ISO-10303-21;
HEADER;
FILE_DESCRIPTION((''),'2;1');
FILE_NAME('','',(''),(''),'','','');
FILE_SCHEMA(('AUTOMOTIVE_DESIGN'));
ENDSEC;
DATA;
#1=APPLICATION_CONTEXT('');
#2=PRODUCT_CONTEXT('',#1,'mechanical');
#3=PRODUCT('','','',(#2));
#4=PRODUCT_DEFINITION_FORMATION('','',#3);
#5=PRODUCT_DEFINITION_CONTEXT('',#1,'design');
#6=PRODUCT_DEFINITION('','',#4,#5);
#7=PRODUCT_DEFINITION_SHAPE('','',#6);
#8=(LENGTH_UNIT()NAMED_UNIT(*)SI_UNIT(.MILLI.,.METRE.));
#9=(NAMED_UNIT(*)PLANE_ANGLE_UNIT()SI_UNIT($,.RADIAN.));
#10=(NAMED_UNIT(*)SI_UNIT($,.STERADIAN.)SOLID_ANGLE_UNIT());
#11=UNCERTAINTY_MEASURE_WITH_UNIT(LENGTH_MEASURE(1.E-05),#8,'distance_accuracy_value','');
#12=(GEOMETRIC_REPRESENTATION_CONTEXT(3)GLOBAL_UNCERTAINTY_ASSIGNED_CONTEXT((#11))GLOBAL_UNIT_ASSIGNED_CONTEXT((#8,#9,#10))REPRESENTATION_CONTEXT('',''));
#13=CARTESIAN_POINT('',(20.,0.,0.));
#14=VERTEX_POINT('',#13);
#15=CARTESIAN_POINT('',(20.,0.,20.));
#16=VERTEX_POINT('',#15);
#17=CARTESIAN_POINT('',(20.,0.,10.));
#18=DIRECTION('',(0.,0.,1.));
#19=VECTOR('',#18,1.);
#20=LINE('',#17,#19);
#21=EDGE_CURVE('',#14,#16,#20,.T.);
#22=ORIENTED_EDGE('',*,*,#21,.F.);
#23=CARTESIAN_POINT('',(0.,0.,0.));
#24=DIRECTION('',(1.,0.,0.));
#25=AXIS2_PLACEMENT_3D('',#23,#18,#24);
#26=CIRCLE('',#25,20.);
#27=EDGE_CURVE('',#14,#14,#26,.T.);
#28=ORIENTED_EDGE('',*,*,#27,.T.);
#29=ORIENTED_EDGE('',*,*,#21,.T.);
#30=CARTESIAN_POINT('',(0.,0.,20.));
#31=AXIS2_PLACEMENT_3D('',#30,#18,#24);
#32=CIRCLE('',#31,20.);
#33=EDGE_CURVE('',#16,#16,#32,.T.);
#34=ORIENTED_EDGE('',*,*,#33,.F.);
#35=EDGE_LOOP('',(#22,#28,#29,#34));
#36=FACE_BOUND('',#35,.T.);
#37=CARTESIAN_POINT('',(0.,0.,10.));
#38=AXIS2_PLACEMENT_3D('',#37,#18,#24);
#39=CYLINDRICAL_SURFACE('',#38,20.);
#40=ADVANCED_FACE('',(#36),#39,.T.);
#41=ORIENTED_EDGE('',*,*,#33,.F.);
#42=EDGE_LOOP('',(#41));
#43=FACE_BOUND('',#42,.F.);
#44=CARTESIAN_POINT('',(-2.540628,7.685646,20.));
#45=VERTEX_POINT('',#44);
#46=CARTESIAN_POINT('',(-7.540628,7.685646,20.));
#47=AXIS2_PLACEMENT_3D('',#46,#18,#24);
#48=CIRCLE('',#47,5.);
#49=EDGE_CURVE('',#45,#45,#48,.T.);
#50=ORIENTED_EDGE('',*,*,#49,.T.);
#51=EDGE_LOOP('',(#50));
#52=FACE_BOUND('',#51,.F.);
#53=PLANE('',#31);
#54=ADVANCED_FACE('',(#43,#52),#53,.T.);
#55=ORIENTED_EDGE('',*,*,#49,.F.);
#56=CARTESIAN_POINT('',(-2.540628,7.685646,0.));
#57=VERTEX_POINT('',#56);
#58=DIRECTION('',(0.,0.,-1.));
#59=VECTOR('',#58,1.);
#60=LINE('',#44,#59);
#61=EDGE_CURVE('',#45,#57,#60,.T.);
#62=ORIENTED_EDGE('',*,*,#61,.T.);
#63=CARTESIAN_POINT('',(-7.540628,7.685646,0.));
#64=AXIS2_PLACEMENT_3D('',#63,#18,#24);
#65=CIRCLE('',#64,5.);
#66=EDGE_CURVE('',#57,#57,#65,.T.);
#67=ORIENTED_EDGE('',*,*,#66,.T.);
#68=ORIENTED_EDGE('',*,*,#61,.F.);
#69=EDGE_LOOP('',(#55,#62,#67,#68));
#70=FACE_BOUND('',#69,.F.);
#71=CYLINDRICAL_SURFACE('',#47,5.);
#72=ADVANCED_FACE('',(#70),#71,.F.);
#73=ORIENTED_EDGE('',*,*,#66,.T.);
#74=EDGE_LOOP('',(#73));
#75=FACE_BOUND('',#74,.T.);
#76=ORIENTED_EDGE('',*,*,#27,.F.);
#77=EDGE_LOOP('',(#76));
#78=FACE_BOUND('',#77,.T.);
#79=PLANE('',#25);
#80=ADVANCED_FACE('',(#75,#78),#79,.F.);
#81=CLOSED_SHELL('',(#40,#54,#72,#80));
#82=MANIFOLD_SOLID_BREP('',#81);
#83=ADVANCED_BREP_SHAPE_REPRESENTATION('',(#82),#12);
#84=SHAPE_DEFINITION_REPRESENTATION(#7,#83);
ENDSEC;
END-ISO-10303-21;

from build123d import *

# Parameters (mm, degrees)
F0_W     = 20
F0_H     = 20
F2_R     = 5
F3_DEPTH = 40


with BuildPart() as f1:
    # F0 (on Front) → F1 (revolve)
    with BuildSketch(Plane.XZ):
        with Locations((10, 10)):
            Rectangle(F0_W, F0_H)
    revolve(axis=Axis((0, 0, 10), (0, 0, 1)))

    # F2 (on face) → F3 (cut)
    with BuildSketch(Plane.XY.offset(20)):
        with Locations((-7.540628, 7.685646)):
            Circle(F2_R)
    extrude(amount=-F3_DEPTH, mode=Mode.SUBTRACT)


solid = f1.part
